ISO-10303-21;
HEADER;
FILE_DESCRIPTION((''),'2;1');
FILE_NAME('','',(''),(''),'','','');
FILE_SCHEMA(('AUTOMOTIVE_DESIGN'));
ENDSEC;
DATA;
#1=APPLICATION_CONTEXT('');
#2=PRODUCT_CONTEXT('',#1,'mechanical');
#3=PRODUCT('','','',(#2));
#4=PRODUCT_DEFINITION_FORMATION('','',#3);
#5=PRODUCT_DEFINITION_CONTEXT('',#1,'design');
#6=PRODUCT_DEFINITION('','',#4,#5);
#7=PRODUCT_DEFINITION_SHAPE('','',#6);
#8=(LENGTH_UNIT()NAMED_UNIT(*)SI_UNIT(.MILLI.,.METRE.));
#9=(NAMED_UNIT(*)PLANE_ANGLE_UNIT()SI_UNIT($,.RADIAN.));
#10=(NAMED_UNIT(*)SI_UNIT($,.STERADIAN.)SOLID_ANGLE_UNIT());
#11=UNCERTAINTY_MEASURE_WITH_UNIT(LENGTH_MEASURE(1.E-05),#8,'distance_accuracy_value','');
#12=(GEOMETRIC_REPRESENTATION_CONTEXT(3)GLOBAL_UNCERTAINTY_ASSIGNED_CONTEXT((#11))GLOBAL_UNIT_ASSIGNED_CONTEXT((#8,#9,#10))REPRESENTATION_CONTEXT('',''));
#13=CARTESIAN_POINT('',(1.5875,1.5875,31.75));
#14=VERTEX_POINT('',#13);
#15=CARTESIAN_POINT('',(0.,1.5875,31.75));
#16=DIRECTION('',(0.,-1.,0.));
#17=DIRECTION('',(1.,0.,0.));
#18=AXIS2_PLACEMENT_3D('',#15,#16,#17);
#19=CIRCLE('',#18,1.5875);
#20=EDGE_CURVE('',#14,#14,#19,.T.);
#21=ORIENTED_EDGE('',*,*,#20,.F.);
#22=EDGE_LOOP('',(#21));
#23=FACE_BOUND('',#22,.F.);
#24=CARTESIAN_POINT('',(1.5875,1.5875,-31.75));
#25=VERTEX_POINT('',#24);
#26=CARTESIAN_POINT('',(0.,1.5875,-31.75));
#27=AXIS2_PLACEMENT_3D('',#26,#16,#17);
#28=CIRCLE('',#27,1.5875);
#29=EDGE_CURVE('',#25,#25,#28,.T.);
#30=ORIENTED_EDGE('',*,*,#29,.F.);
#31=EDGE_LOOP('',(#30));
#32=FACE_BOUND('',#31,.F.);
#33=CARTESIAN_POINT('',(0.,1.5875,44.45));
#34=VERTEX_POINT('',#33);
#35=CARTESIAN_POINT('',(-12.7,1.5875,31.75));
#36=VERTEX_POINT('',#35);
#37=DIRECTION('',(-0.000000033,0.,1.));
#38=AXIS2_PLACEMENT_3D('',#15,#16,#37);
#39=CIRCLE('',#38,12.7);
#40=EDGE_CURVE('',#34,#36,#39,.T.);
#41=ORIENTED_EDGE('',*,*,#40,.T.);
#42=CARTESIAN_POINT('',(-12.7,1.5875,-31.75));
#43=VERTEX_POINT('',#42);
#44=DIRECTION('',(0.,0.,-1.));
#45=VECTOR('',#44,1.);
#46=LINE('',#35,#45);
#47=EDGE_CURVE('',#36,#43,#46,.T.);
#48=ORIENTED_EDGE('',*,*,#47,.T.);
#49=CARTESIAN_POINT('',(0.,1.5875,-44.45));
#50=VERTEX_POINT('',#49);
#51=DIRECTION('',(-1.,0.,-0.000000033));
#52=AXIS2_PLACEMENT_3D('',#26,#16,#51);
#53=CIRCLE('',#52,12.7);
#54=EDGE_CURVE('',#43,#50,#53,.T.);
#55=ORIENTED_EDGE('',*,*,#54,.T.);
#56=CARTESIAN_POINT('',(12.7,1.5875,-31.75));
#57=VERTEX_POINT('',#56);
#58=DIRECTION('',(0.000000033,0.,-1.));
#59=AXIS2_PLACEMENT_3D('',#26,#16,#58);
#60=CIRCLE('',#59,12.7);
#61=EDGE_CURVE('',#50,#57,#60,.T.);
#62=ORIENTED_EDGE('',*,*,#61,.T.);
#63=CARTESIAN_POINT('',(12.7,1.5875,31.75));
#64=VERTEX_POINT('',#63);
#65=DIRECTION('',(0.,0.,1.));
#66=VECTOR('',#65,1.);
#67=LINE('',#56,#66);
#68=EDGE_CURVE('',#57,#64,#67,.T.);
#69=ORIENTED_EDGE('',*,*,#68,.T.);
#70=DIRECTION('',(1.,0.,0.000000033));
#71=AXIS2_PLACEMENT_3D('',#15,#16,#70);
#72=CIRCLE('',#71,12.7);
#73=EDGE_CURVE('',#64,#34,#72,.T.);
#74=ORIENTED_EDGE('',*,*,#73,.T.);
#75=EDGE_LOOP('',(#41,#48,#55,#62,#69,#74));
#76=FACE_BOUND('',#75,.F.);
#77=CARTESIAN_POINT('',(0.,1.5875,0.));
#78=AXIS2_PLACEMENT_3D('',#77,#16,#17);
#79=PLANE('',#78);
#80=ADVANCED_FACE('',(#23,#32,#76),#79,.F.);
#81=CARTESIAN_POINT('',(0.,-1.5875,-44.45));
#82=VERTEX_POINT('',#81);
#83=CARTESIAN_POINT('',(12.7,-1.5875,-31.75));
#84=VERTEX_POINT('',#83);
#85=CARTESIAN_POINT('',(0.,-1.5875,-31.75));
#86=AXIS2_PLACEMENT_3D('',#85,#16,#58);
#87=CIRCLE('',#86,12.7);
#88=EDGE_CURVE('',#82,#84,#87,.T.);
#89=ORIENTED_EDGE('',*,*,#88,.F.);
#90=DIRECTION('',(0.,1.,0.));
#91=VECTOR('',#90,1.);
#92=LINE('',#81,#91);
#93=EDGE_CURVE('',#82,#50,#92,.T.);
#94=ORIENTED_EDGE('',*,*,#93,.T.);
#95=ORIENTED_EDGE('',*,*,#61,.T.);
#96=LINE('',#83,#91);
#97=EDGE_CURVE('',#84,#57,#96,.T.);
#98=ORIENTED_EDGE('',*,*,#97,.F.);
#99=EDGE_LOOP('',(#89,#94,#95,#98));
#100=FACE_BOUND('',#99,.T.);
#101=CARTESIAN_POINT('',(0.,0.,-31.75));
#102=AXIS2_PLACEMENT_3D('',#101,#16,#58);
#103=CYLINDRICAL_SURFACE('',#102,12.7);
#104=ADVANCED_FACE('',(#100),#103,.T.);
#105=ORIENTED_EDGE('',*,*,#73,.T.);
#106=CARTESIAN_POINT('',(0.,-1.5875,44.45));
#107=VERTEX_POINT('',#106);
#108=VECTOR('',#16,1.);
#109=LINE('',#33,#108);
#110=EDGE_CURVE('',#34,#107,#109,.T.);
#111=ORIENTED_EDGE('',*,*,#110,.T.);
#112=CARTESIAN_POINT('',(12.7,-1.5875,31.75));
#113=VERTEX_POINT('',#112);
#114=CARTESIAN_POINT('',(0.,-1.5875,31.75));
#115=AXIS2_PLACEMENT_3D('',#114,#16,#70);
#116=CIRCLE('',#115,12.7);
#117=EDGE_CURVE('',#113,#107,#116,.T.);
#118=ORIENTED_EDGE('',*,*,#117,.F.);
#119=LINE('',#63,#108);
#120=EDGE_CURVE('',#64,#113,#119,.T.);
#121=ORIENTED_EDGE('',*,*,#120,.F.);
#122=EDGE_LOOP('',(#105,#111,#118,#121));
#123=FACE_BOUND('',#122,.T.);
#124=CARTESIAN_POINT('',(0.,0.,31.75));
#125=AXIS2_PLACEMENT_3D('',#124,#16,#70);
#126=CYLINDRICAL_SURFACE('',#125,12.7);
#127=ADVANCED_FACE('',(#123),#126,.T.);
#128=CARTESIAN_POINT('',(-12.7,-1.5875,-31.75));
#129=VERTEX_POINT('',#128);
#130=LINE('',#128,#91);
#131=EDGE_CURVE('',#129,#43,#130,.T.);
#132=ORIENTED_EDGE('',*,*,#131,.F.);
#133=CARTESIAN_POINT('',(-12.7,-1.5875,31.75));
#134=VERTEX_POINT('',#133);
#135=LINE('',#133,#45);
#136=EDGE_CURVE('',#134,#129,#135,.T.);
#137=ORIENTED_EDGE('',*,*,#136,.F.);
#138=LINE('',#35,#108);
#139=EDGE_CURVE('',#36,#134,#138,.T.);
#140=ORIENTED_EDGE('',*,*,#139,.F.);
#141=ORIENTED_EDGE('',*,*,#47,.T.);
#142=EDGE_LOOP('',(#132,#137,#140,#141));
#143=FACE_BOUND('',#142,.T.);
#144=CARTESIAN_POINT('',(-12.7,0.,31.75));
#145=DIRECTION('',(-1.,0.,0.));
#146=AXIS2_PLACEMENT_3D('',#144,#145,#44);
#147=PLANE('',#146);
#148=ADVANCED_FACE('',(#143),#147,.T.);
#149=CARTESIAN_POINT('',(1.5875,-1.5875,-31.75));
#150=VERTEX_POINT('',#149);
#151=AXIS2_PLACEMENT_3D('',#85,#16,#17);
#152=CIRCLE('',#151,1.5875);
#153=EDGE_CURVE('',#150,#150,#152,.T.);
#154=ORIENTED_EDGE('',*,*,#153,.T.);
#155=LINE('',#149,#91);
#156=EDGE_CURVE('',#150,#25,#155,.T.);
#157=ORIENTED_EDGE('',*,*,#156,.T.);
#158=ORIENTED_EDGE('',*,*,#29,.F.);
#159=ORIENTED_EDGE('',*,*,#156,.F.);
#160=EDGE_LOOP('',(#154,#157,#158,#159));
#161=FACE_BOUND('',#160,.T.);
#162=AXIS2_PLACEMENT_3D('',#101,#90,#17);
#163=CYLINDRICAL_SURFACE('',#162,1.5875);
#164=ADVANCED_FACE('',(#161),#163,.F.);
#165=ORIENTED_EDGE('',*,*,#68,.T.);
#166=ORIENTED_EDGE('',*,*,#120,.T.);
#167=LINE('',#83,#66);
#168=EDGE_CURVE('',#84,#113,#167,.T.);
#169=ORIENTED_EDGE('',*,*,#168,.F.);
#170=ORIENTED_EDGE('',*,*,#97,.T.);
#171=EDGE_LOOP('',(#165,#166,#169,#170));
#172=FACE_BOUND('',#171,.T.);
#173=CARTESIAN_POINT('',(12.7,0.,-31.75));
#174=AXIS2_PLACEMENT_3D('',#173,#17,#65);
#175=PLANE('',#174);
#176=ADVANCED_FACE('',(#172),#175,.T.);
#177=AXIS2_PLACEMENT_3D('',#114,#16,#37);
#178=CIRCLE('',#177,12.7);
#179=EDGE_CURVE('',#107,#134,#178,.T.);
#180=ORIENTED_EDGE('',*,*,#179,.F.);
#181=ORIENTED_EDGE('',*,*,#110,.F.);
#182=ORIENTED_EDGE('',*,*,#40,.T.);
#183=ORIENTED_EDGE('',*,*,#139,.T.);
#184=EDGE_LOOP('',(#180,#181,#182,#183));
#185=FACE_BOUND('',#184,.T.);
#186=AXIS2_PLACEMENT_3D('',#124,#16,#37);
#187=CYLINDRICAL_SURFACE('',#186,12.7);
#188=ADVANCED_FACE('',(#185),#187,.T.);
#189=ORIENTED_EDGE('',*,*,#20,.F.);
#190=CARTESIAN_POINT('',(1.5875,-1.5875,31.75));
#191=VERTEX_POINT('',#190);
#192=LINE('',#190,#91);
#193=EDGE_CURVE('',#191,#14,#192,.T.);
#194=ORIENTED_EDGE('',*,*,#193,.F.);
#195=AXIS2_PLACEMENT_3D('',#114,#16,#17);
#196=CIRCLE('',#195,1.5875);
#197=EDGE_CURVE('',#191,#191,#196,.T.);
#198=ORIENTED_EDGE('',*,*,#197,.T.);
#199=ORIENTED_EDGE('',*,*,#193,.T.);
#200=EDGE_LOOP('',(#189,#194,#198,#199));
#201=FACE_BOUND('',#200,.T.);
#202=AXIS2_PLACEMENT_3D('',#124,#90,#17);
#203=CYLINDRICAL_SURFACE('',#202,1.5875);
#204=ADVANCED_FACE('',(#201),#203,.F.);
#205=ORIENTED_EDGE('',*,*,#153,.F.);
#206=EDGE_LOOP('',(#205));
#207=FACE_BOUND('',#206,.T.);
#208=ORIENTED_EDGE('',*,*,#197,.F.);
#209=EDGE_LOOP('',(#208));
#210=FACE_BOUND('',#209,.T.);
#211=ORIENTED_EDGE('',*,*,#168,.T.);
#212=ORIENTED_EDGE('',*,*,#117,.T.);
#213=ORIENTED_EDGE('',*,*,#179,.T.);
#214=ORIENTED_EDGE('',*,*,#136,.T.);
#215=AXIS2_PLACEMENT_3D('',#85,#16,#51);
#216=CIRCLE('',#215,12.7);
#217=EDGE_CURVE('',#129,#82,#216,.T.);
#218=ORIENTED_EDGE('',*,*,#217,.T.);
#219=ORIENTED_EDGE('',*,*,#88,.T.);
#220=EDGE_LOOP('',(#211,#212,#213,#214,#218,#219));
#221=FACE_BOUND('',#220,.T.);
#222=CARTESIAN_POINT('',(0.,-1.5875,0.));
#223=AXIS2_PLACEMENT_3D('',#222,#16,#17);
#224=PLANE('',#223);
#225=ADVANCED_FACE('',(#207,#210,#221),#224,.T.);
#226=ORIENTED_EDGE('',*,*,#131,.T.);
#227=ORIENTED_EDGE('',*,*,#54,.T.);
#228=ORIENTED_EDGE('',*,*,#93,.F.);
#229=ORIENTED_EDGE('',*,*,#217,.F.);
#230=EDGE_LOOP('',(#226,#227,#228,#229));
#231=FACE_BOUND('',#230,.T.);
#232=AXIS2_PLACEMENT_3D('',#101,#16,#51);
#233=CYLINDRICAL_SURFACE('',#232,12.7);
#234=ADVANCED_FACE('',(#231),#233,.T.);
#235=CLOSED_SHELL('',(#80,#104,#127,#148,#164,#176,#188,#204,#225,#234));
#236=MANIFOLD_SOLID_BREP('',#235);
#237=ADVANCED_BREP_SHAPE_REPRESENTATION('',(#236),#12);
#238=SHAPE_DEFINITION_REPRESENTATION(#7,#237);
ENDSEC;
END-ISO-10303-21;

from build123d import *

# Parameters (mm, degrees)
F0_R     = 1.5875
F1_DEPTH = 1.5875


with BuildPart() as f1:
    # F0 (on Front) → F1 (new body, symmetric)
    with BuildSketch(Plane.XZ):
        with BuildLine():
            Line((12.7, -31.75), (12.7, 31.75))
            ThreePointArc((12.7, 31.75), (8.980256, 40.730256), (0, 44.45))
            ThreePointArc((0, 44.45), (-8.980256, 40.730256), (-12.7, 31.75))
            Line((-12.7, 31.75), (-12.7, -31.75))
            ThreePointArc((-12.7, -31.75), (-8.980256, -40.730256), (0, -44.45))
            ThreePointArc((0, -44.45), (8.980256, -40.730256), (12.7, -31.75))
        make_face()
        with Locations((0, -31.75)):
            Circle(F0_R, mode=Mode.SUBTRACT)
        with Locations((0, 31.75)):
            Circle(F0_R, mode=Mode.SUBTRACT)
    extrude(amount=F1_DEPTH, both=True)


solid = f1.part
